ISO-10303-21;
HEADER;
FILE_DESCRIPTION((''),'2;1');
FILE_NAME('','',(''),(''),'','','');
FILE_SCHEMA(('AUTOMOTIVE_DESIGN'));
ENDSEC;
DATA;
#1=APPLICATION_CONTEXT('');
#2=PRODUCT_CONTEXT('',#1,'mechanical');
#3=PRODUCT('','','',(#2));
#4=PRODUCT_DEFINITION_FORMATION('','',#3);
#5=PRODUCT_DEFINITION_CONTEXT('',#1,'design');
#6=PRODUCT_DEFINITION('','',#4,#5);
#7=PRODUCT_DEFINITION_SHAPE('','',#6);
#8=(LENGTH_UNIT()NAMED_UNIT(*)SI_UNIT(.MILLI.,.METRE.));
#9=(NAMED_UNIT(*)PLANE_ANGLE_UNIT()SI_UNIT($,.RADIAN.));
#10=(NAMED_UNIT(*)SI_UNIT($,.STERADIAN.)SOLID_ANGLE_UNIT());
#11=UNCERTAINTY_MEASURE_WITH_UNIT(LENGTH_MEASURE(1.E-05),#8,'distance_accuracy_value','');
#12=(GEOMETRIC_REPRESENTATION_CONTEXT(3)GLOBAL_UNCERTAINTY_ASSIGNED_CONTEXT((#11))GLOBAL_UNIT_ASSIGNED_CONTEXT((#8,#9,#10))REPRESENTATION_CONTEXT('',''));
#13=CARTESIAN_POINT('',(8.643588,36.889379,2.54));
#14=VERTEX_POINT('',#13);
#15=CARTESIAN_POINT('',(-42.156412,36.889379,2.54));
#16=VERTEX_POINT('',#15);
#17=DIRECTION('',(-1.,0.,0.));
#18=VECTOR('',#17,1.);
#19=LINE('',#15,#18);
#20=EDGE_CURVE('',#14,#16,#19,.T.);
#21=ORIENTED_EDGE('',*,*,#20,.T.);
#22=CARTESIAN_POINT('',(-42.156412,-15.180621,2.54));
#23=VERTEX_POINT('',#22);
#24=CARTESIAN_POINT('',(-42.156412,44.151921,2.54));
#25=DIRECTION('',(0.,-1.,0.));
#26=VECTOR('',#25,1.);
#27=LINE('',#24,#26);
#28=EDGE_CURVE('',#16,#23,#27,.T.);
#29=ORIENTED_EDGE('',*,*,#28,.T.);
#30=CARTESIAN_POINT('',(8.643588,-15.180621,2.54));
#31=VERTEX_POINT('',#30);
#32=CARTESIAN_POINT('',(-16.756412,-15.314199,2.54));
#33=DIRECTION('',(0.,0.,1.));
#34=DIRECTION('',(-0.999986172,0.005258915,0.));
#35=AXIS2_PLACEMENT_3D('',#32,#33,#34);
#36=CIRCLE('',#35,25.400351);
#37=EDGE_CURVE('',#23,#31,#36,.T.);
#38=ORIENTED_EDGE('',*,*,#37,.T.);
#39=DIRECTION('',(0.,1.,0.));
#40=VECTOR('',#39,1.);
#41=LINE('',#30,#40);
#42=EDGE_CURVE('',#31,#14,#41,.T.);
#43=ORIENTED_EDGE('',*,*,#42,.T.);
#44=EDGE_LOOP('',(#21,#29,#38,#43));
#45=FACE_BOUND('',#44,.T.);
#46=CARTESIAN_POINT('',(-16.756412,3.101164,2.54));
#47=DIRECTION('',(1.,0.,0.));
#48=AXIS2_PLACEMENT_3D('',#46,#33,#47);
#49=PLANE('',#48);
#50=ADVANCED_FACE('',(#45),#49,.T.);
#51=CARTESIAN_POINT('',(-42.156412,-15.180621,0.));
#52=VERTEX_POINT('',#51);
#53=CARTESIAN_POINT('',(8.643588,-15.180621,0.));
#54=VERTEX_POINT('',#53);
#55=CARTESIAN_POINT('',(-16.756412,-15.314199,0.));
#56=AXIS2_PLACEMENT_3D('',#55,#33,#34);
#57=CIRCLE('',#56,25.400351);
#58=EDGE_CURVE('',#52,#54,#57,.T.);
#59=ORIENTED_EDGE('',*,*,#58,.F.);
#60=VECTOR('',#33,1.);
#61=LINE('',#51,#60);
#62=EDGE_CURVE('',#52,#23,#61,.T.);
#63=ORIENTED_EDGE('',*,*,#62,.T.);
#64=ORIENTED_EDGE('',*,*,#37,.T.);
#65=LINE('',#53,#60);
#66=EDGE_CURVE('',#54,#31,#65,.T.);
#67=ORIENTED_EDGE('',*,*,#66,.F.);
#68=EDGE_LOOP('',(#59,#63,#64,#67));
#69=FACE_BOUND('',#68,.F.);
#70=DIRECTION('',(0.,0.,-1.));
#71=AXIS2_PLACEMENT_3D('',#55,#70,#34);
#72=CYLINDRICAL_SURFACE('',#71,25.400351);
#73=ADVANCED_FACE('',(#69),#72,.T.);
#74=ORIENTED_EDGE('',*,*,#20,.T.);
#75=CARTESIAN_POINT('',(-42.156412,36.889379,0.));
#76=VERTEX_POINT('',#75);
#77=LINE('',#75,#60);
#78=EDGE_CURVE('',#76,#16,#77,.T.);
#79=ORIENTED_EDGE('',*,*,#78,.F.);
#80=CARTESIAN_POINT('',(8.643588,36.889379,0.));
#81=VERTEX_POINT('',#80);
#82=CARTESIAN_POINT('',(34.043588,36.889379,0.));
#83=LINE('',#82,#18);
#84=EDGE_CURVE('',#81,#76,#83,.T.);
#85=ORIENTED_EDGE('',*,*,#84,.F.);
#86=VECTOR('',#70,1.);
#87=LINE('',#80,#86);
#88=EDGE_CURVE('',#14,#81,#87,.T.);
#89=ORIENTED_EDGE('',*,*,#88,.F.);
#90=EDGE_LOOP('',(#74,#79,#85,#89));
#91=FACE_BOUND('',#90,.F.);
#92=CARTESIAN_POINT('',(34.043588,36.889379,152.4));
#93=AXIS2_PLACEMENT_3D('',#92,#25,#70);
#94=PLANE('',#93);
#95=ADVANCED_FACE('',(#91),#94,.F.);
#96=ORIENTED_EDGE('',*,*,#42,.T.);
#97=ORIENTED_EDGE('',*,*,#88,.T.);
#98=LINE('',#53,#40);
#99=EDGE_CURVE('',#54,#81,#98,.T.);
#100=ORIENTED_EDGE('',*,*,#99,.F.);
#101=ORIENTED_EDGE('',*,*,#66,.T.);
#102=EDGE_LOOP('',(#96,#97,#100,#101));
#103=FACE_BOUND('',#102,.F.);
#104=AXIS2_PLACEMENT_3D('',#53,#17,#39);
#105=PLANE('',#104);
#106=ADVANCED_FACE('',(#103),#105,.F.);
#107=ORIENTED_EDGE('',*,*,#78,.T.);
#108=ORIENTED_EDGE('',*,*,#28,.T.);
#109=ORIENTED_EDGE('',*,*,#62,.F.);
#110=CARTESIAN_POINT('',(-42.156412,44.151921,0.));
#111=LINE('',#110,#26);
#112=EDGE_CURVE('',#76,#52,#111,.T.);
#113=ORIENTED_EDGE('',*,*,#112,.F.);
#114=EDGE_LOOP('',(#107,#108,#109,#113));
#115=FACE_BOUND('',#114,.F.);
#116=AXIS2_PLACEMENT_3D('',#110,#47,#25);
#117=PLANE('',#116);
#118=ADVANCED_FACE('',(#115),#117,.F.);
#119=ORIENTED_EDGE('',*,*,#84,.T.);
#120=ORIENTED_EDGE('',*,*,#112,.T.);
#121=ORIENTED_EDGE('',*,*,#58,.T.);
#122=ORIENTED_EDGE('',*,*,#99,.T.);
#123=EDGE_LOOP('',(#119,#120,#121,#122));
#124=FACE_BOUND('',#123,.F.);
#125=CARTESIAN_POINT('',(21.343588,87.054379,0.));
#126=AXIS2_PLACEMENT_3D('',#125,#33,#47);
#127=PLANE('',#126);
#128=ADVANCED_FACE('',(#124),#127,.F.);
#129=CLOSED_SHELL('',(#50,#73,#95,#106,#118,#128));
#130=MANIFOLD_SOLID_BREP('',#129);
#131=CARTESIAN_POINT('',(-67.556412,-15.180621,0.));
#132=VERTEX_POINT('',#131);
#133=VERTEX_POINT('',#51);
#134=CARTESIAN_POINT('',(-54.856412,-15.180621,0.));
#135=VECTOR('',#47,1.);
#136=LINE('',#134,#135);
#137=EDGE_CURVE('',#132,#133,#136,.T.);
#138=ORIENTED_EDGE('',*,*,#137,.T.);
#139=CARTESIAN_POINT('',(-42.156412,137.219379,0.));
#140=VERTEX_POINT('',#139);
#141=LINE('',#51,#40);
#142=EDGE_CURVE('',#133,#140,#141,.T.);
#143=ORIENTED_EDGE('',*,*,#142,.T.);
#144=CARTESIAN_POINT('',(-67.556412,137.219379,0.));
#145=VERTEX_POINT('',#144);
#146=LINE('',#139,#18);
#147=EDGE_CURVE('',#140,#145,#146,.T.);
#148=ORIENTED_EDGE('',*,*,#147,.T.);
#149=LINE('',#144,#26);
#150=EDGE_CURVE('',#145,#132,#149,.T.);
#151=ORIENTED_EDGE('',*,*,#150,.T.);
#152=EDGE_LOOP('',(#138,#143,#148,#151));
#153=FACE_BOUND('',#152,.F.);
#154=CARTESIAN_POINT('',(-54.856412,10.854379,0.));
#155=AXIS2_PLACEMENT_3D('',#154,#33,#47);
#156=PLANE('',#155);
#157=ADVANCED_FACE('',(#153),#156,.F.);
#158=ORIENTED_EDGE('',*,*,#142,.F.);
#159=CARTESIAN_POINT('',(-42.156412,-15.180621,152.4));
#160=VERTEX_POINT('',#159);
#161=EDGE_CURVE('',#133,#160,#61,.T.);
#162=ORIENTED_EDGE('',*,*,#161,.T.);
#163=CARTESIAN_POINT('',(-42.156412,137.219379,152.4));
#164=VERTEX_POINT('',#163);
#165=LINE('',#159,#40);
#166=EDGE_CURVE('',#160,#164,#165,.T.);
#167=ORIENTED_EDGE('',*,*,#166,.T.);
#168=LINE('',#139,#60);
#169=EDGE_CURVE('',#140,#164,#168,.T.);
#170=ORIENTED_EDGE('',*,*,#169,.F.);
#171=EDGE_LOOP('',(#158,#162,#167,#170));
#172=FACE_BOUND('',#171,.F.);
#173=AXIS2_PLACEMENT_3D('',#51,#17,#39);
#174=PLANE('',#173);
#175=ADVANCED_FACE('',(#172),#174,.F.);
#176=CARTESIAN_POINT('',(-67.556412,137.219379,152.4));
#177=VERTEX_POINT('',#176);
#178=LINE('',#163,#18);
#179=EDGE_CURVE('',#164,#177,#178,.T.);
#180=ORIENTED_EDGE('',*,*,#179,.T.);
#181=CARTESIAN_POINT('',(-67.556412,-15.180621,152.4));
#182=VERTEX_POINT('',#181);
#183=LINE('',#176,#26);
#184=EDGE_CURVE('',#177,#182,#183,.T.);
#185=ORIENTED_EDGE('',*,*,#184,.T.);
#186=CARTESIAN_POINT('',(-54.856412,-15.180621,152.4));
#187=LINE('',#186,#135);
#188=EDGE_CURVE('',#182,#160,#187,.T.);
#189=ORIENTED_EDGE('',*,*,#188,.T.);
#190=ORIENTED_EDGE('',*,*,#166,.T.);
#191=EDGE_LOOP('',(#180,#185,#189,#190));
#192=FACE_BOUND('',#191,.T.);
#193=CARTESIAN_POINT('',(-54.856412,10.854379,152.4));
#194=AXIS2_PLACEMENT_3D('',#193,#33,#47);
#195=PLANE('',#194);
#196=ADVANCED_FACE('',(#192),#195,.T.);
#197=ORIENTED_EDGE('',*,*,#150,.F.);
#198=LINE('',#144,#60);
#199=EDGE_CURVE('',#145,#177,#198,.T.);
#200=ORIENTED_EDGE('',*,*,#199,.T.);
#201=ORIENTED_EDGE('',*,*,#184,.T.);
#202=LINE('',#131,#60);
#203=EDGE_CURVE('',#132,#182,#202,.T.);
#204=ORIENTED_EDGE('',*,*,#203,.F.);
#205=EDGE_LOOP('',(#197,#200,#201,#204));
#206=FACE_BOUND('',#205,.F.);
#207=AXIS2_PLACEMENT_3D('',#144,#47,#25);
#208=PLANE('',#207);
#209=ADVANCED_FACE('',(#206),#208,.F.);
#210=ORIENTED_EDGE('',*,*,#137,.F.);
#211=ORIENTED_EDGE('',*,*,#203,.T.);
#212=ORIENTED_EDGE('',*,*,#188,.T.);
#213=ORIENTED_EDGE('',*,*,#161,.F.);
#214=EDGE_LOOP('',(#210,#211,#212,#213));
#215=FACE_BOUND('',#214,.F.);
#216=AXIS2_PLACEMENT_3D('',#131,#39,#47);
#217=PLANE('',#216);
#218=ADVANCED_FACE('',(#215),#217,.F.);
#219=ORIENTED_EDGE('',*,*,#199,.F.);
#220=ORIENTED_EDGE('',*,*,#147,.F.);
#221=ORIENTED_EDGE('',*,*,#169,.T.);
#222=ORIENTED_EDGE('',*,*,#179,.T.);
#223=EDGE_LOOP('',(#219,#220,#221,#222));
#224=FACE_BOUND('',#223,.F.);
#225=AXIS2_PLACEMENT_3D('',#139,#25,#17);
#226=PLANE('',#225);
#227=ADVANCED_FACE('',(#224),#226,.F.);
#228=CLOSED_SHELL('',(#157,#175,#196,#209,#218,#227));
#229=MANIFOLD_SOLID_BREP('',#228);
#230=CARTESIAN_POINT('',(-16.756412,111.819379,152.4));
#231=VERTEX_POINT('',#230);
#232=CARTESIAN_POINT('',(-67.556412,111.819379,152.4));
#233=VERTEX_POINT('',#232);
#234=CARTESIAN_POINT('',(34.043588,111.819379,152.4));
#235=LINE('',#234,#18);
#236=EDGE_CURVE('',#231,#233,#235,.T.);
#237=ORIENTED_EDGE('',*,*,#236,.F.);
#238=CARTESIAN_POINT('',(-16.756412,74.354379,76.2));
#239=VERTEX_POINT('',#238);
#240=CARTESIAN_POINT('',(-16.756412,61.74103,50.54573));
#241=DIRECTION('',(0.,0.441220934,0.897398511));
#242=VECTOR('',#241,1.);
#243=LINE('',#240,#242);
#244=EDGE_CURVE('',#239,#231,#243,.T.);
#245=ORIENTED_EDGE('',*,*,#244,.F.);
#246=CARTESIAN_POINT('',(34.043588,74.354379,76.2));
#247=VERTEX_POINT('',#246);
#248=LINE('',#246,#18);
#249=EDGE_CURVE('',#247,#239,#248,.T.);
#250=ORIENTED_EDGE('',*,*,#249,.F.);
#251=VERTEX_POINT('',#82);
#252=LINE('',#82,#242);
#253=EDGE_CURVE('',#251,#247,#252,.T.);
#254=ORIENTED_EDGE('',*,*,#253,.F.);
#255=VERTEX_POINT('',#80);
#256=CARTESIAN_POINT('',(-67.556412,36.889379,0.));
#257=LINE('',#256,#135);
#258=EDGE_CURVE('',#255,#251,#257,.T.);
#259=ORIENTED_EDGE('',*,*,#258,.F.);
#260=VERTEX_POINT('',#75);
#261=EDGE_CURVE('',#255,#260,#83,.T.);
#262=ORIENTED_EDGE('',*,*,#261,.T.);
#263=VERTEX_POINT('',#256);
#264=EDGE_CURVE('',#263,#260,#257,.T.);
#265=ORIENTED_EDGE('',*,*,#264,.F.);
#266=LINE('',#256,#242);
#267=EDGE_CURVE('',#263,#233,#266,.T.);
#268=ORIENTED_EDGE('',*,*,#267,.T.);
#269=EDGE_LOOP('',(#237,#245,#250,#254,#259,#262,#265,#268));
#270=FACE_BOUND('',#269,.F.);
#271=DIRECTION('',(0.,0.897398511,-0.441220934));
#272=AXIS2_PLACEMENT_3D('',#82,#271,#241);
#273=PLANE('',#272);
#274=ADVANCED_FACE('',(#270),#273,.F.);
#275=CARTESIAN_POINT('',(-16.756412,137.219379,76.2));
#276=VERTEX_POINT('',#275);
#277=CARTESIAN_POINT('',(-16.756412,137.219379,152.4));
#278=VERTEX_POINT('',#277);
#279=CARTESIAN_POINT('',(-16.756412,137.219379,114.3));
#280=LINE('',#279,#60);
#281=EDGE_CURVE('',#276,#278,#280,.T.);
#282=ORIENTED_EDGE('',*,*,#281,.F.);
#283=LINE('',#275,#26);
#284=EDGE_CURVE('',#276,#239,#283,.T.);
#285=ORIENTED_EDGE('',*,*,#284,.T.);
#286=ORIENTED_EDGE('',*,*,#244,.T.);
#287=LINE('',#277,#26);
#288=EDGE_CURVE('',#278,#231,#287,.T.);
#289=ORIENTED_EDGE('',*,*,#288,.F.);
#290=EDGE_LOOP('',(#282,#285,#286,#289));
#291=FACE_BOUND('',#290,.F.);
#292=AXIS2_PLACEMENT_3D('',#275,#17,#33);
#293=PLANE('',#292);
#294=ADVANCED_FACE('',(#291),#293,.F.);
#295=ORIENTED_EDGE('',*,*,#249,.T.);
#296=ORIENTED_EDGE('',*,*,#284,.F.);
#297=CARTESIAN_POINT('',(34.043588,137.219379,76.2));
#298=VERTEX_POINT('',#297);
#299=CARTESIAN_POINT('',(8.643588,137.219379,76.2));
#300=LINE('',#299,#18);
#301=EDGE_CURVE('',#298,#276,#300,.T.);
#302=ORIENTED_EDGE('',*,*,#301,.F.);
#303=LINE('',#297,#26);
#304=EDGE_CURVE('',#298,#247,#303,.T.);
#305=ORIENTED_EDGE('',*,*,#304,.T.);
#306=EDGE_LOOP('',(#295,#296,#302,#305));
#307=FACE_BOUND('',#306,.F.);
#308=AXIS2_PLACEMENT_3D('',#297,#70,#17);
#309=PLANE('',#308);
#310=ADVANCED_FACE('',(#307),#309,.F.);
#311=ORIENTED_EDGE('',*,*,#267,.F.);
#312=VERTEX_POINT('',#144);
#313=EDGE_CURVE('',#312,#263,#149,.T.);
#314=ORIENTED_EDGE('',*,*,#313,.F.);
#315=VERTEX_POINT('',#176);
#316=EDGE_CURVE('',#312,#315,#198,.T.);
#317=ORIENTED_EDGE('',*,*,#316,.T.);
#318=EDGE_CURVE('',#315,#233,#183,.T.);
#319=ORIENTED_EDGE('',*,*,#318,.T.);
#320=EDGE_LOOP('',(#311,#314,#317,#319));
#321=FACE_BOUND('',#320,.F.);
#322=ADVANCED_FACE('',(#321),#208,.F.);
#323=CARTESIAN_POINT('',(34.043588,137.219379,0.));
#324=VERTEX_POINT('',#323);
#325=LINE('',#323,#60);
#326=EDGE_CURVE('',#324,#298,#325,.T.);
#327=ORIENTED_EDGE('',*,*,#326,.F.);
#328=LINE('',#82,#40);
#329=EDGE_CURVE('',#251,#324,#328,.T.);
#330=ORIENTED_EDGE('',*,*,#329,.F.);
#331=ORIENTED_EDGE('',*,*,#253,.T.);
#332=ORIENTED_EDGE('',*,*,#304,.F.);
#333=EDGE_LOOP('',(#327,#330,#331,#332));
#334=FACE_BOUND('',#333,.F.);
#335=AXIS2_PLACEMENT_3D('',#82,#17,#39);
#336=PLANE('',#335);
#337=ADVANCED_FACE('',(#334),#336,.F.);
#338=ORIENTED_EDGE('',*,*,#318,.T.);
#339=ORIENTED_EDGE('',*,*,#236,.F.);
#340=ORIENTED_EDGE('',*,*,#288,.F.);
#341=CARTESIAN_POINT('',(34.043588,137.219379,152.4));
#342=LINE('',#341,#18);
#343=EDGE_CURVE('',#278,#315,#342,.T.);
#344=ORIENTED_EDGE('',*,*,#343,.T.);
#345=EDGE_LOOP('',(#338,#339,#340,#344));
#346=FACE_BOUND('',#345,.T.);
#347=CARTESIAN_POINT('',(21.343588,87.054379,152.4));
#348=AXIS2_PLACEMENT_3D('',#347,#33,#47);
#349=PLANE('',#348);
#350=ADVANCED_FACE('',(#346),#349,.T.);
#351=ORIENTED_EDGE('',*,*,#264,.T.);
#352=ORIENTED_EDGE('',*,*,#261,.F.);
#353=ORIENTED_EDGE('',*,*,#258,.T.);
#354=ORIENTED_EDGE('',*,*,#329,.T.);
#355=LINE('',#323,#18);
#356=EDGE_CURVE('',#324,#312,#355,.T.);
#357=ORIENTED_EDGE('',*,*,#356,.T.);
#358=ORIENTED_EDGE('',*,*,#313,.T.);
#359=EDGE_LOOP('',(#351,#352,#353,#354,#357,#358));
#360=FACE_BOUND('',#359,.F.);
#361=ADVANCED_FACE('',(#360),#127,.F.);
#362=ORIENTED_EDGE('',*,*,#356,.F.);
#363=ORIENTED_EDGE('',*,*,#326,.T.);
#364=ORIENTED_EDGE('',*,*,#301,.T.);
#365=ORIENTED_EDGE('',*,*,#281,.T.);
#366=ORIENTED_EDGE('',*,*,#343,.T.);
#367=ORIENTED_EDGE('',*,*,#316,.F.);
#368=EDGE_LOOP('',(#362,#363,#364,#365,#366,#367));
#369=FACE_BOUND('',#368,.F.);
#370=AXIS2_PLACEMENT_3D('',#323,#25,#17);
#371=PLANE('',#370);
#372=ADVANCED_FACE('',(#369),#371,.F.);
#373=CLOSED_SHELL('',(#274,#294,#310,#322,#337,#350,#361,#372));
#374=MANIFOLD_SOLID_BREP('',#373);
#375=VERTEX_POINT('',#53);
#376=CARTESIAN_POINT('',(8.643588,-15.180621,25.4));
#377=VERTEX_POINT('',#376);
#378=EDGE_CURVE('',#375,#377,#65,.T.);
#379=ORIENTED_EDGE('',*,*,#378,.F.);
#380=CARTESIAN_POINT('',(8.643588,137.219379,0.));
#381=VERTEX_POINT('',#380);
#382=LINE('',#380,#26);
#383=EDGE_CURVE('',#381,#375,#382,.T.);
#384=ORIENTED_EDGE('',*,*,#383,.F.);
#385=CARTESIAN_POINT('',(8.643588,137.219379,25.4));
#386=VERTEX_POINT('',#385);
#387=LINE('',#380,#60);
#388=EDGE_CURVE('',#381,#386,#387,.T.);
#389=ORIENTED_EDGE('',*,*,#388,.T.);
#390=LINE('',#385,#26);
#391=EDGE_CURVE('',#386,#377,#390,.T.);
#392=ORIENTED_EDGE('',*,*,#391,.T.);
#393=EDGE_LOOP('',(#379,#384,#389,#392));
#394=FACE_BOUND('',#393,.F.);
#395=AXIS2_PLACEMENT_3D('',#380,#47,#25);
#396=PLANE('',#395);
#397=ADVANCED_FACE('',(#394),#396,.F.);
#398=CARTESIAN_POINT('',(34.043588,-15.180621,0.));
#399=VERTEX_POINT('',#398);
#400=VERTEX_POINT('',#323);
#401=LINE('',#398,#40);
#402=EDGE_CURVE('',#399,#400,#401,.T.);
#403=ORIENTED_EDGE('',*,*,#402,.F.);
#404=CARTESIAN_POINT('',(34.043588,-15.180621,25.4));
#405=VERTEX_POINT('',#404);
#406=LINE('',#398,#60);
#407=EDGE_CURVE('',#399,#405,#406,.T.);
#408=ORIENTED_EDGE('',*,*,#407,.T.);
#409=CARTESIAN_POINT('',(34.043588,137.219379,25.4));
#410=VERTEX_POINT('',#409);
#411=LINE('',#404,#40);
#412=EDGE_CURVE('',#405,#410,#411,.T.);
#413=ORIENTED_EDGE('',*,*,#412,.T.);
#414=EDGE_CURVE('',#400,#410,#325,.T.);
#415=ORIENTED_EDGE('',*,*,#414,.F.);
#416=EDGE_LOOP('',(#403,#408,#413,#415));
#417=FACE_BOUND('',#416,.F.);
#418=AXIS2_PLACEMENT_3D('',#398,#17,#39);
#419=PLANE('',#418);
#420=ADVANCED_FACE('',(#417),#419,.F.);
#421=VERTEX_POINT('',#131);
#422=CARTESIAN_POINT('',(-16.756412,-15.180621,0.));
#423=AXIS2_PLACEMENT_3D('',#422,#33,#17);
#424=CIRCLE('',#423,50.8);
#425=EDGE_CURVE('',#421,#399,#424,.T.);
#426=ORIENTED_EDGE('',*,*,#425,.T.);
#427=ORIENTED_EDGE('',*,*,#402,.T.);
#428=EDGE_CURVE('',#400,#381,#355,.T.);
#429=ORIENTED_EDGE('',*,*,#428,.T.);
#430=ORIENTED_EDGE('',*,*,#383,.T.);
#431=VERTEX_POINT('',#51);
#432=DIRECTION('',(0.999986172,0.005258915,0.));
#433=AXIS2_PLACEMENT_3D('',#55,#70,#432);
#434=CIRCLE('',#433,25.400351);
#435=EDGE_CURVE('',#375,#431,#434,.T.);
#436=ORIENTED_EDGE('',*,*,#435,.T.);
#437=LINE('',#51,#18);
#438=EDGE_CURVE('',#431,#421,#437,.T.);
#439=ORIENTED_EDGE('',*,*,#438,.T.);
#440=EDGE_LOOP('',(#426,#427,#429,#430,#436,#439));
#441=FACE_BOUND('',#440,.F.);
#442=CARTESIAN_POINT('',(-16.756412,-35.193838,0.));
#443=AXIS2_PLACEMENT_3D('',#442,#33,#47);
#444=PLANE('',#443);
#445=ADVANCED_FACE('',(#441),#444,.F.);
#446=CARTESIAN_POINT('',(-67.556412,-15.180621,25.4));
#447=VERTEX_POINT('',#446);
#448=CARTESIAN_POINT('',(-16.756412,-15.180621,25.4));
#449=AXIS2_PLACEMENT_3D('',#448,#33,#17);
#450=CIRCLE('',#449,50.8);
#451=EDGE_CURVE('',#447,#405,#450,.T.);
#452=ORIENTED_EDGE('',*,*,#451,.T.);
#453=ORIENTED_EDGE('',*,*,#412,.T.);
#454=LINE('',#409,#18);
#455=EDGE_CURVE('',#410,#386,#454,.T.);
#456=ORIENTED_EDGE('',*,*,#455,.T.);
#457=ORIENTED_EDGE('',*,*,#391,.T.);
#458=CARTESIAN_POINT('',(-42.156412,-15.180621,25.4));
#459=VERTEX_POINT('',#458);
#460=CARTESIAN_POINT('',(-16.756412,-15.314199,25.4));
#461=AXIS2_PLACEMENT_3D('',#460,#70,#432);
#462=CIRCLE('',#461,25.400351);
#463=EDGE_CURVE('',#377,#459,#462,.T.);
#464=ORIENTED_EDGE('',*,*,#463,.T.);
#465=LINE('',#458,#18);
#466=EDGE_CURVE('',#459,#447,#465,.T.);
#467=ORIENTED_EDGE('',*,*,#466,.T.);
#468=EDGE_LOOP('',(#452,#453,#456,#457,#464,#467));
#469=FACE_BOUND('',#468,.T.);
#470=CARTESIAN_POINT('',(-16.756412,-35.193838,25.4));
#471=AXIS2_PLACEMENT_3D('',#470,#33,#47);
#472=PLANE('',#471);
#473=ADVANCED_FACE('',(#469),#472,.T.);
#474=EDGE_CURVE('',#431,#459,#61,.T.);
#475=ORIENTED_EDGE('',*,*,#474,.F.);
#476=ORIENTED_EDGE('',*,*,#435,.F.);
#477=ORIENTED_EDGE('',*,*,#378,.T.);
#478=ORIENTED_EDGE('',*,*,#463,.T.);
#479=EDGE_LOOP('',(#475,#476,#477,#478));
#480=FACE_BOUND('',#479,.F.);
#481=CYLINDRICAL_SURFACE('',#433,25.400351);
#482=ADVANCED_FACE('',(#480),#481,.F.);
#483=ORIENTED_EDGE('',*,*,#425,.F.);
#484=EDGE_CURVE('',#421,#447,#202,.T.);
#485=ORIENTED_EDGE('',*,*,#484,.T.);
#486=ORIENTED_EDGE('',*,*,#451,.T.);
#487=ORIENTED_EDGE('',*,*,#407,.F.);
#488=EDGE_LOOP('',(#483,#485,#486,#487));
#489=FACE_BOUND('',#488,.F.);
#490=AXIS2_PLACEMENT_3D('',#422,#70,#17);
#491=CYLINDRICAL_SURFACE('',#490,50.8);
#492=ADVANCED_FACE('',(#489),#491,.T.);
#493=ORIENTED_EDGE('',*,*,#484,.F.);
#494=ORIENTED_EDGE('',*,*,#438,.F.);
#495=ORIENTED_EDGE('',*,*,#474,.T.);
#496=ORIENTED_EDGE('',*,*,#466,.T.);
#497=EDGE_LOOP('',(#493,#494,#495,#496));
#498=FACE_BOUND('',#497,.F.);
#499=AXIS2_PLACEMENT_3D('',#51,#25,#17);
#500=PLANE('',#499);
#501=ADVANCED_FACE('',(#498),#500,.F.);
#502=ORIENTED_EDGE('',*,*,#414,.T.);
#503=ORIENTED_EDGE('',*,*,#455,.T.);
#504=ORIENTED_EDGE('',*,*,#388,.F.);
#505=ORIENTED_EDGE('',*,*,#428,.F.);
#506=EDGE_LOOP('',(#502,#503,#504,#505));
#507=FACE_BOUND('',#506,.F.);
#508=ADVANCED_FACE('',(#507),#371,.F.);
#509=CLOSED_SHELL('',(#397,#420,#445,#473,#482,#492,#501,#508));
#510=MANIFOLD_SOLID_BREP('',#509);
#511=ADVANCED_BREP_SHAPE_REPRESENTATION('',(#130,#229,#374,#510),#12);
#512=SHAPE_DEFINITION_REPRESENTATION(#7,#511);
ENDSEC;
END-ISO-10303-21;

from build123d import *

# Parameters (mm, degrees)
F0_W     = 50.8
F0_H     = 7.2625415075
F1_DEPTH = 2.54
F0_W_2   = 25.4
F0_H_2   = 25.4
F2_DEPTH = 152.4
F4_DEPTH = 101.6
F5_W     = 50.8
F5_H     = 76.2
F6_DEPTH = 63.5
F0_H_3   = 52.07
F7_DEPTH = 152.4
F8_DEPTH = 25.4


with BuildPart() as f1:
    # F0 (on Top) → F1 (new body)
    with BuildSketch(Plane.XY):
        with BuildLine():
            Line((8.6435877442, 36.8893793178), (-42.1564122558, 36.8893793178))
            Line((-42.1564122558, 36.8893793178), (-42.1564122558, -15.1806206822))
            ThreePointArc((-42.1564122558, -15.1806206822), (-16.7564122558, -40.7145502088), (8.6435877442, -15.1806206822))
            Line((8.6435877442, -15.1806206822), (8.6435877442, 36.8893793178))
        make_face()
        with Locations((-16.7564122558, 40.5206500715)):
            Rectangle(F0_W, F0_H)
    extrude(amount=F1_DEPTH)

    # F0 (on Top) → F2 (join)
    with BuildSketch(Plane.XY):
        Polygon((34.0435877442, 137.2193793178), (8.6435877442, 137.2193793178), (8.6435877442, 44.1519208252), (8.6435877442, 36.8893793178), (34.0435877442, 36.8893793178), align=None)
        Polygon((8.6435877442, 137.2193793178), (-16.7564122558, 137.2193793178), (-16.7564122558, 111.8193793178), (-42.1564122558, 111.8193793178), (-42.1564122558, 44.1519208252), (8.6435877442, 44.1519208252), align=None)
        with Locations((-29.4564122558, 124.5193793178)):
            Rectangle(F0_W_2, F0_H_2)
        Polygon((-42.1564122558, 137.2193793178), (-67.5564122558, 137.2193793178), (-67.5564122558, 36.8893793178), (-42.1564122558, 36.8893793178), (-42.1564122558, 44.1519208252), (-42.1564122558, 111.8193793178), align=None)
        with Locations((-16.7564122558, 40.5206500715)):
            Rectangle(F0_W, F0_H)
    extrude(amount=F2_DEPTH)

    # F3 (on face) → F4 (cut)
    with BuildSketch(Plane.YZ.offset(34.0435877442)):
        Polygon((36.8893793178, 0), (111.8193793178, 152.4), (36.8893793178, 152.4), align=None)
    extrude(amount=-F4_DEPTH, mode=Mode.SUBTRACT)

    # F5 (on face) → F6 (cut)
    with BuildSketch(Plane(origin=(0, 137.2193793178, 0), x_dir=(-1, 0, 0), z_dir=(0, 1, 0))):
        with Locations((-8.6435877442, 114.3)):
            Rectangle(F5_W, F5_H)
    extrude(amount=-F6_DEPTH, mode=Mode.SUBTRACT)


with BuildPart() as f7:
    # F0 (on Top) → F7 (new body)
    with BuildSketch(Plane.XY):
        with Locations((-54.8564122558, 10.8543793178)):
            Rectangle(F0_W_2, F0_H_3)
        Polygon((-42.1564122558, 137.2193793178), (-67.5564122558, 137.2193793178), (-67.5564122558, 36.8893793178), (-42.1564122558, 36.8893793178), (-42.1564122558, 44.1519208252), (-42.1564122558, 111.8193793178), align=None)
    extrude(amount=F7_DEPTH)


with BuildPart() as f8:
    # F0 (on Top) → F8 (new body)
    with BuildSketch(Plane.XY):
        with BuildLine():
            Line((-42.1564122558, -15.1806206822), (-67.5564122558, -15.1806206822))
            ThreePointArc((-67.5564122558, -15.1806206822), (-16.7564122558, -65.9806206822), (34.0435877442, -15.1806206822))
            Line((34.0435877442, -15.1806206822), (8.6435877442, -15.1806206822))
            ThreePointArc((8.6435877442, -15.1806206822), (-16.7564122558, -40.7145502088), (-42.1564122558, -15.1806206822))
        make_face()
        with Locations((21.3435877442, 10.8543793178)):
            Rectangle(F0_W_2, F0_H_3)
        Polygon((34.0435877442, 137.2193793178), (8.6435877442, 137.2193793178), (8.6435877442, 44.1519208252), (8.6435877442, 36.8893793178), (34.0435877442, 36.8893793178), align=None)
    extrude(amount=F8_DEPTH)


solid = Compound([f1.part, f7.part, f8.part])
